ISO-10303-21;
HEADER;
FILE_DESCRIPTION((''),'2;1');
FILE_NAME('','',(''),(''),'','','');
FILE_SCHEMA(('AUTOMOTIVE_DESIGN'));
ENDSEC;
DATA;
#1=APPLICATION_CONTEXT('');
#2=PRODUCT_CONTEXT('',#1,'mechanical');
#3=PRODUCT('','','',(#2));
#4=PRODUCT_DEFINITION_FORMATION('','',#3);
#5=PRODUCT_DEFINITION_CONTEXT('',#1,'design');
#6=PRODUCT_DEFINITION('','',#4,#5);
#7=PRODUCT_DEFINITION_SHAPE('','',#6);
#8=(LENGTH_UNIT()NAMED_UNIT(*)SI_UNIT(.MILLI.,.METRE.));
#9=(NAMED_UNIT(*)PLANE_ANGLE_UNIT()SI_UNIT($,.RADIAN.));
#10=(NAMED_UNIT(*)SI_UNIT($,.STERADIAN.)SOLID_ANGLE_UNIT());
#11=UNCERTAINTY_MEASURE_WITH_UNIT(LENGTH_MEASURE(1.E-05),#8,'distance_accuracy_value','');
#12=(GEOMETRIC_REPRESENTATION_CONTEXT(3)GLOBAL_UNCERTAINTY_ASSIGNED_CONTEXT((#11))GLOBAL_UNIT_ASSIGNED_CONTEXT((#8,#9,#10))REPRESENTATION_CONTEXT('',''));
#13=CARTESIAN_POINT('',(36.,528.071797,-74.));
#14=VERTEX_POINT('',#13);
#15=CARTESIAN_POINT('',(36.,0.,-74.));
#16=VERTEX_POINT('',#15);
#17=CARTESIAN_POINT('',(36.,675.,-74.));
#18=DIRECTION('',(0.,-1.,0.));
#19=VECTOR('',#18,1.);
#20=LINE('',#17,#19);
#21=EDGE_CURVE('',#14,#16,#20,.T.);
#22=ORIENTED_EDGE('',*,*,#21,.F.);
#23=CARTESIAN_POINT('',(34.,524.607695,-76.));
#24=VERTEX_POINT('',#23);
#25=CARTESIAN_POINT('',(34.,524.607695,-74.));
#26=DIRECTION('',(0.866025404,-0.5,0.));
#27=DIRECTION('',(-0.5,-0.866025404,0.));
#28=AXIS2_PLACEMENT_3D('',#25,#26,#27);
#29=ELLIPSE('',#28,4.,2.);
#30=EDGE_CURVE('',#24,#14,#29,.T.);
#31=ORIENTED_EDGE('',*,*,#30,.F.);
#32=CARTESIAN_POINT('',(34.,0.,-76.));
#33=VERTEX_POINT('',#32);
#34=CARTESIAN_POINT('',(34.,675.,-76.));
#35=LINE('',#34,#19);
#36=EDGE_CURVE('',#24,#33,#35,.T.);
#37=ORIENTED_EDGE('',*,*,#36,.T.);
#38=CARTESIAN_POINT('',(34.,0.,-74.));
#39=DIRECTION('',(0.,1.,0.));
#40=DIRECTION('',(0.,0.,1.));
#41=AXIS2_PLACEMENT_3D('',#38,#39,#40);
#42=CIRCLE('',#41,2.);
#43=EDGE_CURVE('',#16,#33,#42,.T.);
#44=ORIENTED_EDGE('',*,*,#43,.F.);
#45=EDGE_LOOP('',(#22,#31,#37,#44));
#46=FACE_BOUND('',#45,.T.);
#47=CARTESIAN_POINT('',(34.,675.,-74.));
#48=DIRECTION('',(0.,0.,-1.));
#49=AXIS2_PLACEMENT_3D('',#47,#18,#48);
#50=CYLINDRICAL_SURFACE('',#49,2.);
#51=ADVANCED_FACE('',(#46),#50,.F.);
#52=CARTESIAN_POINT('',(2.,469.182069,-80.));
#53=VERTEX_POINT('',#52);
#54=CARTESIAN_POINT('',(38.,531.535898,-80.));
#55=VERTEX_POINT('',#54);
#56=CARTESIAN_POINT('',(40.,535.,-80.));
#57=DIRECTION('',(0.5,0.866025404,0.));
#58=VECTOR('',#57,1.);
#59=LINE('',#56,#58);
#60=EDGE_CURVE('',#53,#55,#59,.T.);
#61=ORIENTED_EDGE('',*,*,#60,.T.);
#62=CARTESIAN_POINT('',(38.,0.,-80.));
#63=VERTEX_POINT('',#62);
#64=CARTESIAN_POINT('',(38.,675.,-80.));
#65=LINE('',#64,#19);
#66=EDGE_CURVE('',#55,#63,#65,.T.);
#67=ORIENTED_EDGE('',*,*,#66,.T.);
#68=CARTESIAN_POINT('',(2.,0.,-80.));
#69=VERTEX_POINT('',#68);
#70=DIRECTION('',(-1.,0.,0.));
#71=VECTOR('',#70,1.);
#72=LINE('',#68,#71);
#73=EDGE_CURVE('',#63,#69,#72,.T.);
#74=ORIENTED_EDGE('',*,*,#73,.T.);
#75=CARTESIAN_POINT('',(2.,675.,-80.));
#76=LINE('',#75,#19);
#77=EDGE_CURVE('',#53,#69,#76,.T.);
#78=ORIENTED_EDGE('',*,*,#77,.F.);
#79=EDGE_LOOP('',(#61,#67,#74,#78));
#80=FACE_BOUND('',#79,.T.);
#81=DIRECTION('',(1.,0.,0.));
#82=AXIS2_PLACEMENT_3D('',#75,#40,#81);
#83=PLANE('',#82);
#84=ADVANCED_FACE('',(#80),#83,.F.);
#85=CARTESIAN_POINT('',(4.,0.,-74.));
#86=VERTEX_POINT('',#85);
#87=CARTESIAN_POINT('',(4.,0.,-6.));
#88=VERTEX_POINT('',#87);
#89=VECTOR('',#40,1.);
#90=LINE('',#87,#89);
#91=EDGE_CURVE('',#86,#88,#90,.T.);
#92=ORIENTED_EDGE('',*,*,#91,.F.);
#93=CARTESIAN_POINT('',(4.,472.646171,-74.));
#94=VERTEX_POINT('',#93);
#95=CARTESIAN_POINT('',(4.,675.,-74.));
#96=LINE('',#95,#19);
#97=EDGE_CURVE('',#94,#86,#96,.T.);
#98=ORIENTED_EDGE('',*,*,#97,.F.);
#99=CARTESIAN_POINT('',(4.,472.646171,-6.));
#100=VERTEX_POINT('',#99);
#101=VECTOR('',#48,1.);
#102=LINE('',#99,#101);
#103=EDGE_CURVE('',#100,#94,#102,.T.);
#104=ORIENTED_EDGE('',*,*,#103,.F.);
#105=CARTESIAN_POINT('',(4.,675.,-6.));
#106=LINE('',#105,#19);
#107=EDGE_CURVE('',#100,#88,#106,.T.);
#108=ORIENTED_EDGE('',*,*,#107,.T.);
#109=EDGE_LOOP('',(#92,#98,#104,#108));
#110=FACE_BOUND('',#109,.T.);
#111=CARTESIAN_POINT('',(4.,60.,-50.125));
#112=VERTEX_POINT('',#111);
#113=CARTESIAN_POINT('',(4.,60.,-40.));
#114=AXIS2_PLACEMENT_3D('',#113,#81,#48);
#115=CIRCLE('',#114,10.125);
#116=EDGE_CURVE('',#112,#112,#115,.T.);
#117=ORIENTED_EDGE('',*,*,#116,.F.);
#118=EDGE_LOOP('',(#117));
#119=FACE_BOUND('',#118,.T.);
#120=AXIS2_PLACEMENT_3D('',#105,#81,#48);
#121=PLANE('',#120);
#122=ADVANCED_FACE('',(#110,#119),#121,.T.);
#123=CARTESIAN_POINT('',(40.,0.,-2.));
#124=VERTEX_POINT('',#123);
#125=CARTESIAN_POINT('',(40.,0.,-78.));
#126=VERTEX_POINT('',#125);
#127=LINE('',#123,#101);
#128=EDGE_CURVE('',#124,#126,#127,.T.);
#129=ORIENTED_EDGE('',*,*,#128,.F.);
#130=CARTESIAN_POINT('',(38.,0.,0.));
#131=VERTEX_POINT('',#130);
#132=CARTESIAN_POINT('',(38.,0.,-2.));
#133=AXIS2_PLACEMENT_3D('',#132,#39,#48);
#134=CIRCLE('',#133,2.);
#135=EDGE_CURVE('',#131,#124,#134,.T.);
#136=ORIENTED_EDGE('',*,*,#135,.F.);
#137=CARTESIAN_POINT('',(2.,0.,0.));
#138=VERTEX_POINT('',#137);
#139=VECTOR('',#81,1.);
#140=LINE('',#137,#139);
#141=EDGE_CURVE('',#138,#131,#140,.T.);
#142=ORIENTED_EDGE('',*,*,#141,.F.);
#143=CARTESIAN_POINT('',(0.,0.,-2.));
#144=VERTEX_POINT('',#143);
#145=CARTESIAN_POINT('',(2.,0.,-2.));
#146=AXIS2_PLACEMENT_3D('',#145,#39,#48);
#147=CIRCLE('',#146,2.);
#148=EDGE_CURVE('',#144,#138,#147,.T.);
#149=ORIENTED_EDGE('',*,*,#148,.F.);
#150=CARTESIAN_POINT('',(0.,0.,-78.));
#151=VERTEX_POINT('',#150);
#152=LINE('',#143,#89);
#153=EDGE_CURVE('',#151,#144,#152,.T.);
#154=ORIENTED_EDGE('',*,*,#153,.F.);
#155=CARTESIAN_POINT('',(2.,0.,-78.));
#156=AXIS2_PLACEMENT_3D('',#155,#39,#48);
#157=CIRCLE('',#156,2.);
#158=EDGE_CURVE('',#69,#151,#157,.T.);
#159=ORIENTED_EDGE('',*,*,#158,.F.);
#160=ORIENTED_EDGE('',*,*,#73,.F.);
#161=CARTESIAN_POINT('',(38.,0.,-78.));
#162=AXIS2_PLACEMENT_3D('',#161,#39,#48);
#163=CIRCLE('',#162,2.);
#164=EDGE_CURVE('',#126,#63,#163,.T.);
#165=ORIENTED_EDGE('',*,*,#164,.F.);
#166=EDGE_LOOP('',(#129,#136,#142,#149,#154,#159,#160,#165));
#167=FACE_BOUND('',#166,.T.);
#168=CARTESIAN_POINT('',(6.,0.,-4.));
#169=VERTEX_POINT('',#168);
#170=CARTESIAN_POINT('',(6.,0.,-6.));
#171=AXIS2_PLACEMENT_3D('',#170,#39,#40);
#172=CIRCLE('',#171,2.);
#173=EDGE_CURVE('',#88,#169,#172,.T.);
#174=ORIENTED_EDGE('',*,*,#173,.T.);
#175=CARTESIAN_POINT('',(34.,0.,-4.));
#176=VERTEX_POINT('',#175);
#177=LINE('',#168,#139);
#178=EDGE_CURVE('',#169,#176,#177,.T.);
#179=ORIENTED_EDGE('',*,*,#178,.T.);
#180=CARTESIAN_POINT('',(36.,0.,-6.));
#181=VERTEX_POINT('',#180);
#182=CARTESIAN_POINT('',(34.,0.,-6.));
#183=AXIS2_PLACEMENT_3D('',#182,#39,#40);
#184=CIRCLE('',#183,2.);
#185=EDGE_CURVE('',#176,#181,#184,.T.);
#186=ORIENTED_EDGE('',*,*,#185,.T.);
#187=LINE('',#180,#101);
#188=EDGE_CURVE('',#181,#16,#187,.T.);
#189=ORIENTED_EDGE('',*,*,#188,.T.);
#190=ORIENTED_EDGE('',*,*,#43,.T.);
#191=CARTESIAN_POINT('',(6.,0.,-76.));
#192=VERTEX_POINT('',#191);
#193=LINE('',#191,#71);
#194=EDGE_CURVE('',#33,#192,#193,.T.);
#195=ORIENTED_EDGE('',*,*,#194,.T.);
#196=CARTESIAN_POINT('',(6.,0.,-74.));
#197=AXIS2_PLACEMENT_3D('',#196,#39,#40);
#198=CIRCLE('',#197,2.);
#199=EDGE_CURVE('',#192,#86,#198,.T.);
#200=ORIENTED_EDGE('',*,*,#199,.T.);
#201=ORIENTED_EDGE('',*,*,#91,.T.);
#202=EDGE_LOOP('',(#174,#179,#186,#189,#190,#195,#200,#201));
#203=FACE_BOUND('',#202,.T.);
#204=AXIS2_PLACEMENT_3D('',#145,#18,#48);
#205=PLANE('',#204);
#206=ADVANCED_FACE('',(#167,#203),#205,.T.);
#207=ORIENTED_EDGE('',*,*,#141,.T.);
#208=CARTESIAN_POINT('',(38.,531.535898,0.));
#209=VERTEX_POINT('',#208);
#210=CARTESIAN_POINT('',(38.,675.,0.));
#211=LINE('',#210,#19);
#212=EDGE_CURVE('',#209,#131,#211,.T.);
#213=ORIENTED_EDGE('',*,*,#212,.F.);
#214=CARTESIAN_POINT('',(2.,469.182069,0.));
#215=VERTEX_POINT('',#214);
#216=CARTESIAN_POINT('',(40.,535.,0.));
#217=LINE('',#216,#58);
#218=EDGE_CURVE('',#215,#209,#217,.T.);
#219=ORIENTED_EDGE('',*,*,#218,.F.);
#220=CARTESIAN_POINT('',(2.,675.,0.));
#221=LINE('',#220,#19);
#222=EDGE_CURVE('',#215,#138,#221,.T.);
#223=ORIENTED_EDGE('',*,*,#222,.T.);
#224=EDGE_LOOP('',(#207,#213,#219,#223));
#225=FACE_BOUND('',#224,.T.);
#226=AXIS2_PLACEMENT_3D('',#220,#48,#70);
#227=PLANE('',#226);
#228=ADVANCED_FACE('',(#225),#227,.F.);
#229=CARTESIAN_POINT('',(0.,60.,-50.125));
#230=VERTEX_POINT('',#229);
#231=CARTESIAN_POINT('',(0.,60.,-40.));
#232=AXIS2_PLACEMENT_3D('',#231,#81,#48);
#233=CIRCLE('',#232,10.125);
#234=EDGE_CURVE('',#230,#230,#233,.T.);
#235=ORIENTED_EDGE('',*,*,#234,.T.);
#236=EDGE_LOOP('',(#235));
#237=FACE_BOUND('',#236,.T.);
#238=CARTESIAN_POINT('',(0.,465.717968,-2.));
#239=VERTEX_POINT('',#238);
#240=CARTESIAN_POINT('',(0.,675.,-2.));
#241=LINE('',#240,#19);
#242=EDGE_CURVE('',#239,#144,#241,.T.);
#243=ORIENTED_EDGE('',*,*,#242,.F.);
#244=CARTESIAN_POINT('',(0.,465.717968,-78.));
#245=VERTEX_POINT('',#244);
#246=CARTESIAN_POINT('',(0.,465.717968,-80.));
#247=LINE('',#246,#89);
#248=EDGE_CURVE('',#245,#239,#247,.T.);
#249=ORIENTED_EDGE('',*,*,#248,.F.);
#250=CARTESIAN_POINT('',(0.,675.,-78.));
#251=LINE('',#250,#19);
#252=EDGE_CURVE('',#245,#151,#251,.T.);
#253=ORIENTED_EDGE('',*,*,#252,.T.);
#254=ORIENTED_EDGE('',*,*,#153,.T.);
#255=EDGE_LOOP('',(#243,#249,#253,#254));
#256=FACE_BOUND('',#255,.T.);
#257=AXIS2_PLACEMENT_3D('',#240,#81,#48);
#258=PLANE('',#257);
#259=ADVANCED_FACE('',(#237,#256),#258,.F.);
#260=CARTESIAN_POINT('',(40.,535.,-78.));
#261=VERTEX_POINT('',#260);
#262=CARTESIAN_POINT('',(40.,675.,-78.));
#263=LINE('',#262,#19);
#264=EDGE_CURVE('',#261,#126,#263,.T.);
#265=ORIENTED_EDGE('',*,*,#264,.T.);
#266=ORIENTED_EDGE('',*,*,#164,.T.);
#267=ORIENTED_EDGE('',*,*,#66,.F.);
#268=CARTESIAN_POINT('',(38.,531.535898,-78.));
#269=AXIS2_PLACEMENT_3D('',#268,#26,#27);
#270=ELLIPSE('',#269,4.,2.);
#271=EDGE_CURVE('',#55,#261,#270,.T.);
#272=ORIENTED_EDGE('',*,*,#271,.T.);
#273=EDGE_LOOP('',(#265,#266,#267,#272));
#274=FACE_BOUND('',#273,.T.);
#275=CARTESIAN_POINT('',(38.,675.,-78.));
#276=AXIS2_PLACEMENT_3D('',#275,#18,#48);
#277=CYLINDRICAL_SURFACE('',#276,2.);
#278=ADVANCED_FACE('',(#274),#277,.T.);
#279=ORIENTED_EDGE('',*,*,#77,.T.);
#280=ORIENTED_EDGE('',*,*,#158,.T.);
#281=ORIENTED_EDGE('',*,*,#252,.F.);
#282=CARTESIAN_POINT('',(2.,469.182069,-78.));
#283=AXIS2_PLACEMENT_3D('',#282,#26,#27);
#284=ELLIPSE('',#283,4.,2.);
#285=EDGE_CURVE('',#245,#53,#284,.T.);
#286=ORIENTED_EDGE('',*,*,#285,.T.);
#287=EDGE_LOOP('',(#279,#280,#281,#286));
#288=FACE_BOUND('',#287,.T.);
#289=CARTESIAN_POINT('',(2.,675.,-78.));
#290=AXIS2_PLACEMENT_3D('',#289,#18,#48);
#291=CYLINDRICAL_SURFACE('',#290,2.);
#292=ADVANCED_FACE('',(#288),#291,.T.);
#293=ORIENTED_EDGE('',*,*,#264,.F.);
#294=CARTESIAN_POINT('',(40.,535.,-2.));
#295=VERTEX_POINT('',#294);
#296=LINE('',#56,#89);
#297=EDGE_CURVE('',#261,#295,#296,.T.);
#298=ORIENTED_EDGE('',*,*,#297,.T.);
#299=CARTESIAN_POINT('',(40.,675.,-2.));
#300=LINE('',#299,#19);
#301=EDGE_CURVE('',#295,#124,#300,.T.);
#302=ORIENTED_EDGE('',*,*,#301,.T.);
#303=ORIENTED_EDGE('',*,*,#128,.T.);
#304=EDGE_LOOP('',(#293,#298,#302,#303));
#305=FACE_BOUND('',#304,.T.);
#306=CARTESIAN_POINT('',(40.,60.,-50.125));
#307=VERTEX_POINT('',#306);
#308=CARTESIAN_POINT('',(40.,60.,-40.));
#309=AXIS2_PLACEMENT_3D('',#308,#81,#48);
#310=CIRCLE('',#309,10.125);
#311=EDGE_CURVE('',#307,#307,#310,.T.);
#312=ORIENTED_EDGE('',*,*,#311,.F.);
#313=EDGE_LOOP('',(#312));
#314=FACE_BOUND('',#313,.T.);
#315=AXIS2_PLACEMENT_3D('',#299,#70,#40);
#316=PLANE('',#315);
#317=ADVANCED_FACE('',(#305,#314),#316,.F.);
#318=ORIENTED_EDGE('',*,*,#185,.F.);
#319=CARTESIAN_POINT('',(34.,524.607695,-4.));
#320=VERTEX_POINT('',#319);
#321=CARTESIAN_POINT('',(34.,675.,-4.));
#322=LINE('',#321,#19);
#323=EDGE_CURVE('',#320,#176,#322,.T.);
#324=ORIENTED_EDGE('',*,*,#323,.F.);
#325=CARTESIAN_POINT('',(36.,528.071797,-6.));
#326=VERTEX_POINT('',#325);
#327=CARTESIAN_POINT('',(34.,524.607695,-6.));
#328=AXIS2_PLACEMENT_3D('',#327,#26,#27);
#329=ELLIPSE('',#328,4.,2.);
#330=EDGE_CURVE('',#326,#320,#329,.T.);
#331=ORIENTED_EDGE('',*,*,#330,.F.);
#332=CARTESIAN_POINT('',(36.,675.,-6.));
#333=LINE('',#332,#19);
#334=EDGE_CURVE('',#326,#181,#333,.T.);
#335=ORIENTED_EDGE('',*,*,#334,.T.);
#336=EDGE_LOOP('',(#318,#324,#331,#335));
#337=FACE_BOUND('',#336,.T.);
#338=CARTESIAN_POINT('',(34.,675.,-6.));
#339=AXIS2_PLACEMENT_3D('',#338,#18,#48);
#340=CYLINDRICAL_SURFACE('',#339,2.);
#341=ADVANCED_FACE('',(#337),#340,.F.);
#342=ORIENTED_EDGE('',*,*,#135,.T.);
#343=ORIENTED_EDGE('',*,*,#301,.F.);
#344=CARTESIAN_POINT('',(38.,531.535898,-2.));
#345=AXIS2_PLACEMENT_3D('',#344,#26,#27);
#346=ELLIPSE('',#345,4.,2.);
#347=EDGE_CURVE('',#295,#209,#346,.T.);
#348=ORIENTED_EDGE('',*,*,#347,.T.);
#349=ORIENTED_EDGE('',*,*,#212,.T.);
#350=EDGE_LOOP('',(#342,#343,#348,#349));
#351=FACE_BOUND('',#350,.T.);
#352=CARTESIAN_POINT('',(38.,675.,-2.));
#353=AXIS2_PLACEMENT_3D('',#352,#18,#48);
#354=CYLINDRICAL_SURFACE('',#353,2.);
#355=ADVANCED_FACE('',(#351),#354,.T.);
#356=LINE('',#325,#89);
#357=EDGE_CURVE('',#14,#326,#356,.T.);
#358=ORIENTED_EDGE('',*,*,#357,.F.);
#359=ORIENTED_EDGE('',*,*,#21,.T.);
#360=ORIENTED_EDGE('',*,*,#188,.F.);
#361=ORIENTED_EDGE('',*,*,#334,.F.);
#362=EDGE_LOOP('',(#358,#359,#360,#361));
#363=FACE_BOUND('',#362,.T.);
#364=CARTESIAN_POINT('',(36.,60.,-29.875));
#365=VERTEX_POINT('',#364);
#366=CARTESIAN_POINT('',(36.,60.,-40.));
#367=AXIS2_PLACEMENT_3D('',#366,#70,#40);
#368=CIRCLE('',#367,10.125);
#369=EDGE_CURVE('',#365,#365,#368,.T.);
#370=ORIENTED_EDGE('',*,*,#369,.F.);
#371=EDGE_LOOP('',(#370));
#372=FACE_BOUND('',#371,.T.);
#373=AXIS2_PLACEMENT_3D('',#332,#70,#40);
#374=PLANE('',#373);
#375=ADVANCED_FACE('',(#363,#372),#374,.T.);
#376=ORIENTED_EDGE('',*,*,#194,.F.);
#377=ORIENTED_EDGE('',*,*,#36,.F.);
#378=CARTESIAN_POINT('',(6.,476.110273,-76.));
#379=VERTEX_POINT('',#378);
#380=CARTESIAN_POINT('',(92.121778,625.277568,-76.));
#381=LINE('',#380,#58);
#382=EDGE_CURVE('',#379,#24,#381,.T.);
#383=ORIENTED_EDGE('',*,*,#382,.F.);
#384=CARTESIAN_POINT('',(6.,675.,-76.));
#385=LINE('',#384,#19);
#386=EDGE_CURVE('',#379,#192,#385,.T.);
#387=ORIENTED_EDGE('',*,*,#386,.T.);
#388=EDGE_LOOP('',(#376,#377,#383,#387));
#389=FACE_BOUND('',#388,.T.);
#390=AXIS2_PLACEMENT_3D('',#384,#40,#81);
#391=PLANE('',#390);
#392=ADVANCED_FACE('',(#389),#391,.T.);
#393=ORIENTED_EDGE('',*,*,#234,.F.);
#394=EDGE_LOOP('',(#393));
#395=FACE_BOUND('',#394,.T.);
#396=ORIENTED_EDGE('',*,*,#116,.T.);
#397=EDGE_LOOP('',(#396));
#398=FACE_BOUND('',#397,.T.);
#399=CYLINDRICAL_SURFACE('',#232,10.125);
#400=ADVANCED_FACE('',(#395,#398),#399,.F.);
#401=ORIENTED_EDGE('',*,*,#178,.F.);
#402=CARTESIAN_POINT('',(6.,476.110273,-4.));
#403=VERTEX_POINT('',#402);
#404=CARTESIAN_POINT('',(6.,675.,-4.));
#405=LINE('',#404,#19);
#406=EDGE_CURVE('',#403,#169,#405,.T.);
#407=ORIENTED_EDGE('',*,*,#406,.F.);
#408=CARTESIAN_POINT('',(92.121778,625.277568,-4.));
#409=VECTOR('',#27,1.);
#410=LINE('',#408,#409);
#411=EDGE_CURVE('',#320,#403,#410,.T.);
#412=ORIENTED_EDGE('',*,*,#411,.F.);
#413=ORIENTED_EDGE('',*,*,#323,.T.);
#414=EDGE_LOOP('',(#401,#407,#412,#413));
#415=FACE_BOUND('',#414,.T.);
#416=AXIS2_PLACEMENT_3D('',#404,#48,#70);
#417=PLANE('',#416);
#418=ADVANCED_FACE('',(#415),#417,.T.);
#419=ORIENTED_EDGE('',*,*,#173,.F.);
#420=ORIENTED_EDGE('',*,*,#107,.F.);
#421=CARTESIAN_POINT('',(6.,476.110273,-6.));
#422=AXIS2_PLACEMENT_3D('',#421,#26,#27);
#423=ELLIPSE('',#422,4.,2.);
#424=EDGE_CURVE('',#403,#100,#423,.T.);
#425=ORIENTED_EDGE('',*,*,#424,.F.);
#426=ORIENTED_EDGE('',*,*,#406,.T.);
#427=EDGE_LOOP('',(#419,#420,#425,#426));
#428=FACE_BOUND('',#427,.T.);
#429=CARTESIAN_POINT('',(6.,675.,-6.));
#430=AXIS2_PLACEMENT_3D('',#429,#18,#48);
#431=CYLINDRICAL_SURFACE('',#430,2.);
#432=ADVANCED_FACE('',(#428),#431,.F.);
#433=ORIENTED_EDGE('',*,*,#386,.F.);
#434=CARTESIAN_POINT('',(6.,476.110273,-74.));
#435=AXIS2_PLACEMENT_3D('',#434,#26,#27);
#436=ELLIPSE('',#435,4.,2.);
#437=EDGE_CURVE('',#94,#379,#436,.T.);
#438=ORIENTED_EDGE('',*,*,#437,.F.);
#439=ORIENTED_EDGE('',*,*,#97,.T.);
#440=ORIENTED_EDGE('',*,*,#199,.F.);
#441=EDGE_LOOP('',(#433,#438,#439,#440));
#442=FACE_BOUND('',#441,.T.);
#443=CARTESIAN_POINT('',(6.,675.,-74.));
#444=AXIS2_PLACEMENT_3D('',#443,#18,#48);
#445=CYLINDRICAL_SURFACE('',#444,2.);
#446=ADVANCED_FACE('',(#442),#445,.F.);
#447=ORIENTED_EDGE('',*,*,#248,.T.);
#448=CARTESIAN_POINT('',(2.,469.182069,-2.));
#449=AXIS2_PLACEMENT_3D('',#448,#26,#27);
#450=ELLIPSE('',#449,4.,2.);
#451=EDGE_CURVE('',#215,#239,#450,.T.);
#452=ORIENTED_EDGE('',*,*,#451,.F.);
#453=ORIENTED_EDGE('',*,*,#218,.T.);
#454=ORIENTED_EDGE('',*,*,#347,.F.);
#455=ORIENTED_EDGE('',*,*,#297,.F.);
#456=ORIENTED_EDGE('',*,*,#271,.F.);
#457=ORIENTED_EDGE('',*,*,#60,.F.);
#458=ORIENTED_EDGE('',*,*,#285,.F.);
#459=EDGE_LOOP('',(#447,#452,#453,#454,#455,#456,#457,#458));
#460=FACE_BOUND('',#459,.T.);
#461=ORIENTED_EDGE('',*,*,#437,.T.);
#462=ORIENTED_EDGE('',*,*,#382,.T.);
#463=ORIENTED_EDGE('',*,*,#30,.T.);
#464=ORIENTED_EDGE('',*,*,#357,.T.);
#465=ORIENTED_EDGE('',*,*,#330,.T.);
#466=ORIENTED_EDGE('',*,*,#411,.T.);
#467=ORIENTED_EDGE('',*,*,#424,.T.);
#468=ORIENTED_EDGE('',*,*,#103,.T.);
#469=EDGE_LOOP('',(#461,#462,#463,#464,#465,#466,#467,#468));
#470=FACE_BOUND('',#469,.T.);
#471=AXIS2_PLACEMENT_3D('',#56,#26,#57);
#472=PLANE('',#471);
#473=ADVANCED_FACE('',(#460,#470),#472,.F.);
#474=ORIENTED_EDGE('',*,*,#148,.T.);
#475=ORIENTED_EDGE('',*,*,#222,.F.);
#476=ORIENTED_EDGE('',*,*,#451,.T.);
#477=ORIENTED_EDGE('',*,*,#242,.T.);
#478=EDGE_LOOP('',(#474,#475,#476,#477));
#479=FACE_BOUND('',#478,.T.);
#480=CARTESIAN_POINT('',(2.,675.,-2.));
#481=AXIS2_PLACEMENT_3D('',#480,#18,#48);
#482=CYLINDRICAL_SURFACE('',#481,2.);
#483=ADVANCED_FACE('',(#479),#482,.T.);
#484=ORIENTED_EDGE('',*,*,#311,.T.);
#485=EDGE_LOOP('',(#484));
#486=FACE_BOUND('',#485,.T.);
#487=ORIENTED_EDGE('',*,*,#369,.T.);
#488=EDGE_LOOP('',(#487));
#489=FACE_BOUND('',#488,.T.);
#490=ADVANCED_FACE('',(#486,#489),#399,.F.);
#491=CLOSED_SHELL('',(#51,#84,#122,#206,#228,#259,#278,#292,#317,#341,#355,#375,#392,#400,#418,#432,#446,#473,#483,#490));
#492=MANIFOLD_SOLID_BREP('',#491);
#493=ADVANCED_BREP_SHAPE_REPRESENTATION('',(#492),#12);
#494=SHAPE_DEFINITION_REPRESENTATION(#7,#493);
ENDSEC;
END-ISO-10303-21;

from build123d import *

# Parameters (mm, degrees)
BOSS_EXTRU_1_DEPTH      = 675
ESQUISSE3_R             = 10.125
ESQUISSE3_R_2           = 12.5
ENL_V_MAT_EXTRU_1_DEPTH = 681.900139521
ENL_V_MAT_EXTRU_2_DEPTH = 681.900139521


with BuildPart() as part:
    # Esquisse2 → Boss.-Extru.1 (new body)
    with BuildSketch(Plane(origin=(0, 0, 0), x_dir=(1, 0, 0), z_dir=(0, 1, 0))):
        with BuildLine():
            Line((2, 0), (38, 0))
            ThreePointArc((38, 0), (39.414213562, 0.585786438), (40, 2))
            Line((40, 2), (40, 78))
            ThreePointArc((40, 78), (39.414213562, 79.414213562), (38, 80))
            Line((38, 80), (2, 80))
            ThreePointArc((2, 80), (0.585786438, 79.414213562), (0, 78))
            Line((0, 78), (0, 2))
            ThreePointArc((0, 2), (0.585786438, 0.585786438), (2, 0))
        make_face()
        with BuildLine():
            Line((6, 4), (34, 4))
            ThreePointArc((34, 4), (35.414213562, 4.585786438), (36, 6))
            Line((36, 6), (36, 74))
            ThreePointArc((36, 74), (35.414213562, 75.414213562), (34, 76))
            Line((34, 76), (6, 76))
            ThreePointArc((6, 76), (4.585786438, 75.414213562), (4, 74))
            Line((4, 74), (4, 6))
            ThreePointArc((4, 6), (4.585786438, 4.585786438), (6, 4))
        make_face(mode=Mode.SUBTRACT)
    extrude(amount=BOSS_EXTRU_1_DEPTH)

    # Esquisse3 → Enlèv. mat.-Extru.1 (cut, through all)
    with BuildSketch(Plane(origin=(40, 0, 0), x_dir=(0, 0, -1), z_dir=(1, 0, 0))):
        with Locations((40, 60)):
            Circle(ESQUISSE3_R)
        with Locations((40, 635)):
            Circle(ESQUISSE3_R_2)
    extrude(amount=-ENL_V_MAT_EXTRU_1_DEPTH, mode=Mode.SUBTRACT)

    # Esquisse4 → Enlèv. mat.-Extru.2 (cut, through all)
    with BuildSketch(Plane.XY):
        Polygon((0, 675), (40, 675), (40, 535), (0, 465.717967697), align=None)
    extrude(amount=-ENL_V_MAT_EXTRU_2_DEPTH, mode=Mode.SUBTRACT)


solid = part.part
